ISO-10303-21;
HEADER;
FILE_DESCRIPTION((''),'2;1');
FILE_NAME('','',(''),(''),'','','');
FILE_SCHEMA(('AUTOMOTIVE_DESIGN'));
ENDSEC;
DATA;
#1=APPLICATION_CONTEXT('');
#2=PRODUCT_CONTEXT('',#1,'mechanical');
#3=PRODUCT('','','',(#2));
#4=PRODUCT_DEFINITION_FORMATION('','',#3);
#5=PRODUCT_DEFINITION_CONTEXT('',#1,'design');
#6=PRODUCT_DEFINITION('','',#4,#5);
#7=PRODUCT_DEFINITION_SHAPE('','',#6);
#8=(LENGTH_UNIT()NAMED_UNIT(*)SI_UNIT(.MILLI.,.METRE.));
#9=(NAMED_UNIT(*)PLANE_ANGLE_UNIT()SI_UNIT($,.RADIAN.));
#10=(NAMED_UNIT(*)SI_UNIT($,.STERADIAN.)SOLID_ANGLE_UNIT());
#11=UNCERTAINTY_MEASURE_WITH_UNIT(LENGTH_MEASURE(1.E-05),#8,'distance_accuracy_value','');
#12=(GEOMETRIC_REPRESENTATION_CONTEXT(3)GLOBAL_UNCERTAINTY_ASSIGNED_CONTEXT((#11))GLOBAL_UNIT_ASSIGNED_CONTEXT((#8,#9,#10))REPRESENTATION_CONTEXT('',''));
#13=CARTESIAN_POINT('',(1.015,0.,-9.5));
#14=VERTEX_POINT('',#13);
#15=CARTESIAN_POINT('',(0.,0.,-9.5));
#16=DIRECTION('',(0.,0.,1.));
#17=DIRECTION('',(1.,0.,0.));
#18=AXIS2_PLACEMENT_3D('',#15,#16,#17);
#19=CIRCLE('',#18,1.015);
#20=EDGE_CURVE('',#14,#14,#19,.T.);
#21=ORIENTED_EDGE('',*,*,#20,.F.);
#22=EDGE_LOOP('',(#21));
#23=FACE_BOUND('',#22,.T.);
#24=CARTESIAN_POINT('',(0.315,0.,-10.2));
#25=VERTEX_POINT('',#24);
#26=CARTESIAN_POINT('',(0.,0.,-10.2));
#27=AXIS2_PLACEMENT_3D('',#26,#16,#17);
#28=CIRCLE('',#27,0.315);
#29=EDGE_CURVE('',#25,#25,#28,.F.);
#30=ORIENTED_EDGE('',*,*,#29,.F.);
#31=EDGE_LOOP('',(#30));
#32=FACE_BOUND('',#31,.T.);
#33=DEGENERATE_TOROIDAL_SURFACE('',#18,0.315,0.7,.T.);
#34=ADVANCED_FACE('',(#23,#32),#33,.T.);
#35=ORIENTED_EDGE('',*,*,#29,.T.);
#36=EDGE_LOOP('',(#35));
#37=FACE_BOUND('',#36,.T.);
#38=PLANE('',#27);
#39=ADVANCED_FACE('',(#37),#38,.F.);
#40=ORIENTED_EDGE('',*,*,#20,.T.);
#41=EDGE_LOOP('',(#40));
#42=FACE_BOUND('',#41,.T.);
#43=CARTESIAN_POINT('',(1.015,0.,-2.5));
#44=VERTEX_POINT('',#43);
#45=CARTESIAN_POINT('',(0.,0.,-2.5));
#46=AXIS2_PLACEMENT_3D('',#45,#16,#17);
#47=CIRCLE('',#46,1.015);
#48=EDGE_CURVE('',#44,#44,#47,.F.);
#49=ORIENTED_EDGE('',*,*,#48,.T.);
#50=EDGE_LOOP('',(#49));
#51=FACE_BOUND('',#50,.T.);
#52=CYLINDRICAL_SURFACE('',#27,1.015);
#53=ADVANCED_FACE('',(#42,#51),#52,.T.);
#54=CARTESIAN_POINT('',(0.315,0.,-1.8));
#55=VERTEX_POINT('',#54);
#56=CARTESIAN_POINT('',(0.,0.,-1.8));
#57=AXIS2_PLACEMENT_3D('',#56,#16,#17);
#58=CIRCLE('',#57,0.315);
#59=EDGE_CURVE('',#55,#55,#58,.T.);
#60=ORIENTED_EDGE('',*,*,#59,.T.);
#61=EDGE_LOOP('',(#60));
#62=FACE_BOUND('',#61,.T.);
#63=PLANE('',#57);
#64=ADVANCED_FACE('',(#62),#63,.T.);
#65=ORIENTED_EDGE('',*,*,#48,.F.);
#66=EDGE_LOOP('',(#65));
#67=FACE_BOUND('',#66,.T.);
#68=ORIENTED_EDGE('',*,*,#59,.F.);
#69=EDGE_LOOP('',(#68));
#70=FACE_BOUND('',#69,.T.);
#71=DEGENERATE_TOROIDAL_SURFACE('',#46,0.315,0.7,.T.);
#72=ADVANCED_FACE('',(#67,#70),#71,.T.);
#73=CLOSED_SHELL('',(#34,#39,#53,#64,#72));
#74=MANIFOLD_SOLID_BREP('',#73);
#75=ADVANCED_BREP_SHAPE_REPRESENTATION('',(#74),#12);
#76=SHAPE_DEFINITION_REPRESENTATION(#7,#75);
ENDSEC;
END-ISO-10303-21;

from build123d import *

# Parameters (mm, degrees)
SKETCH1_R           = 1.45
BOSS_EXTRUDE1_DEPTH = 12
FILLET1_R           = 1
SCALE1_SCALE        = 0.7


with BuildPart() as part:
    # Sketch1 → Boss-Extrude1 (new body)
    with BuildSketch(Plane(origin=(0, 0, 0), x_dir=(0, 1, 0), z_dir=(0, 0, 1))):
        with Locations(Location((0, 0, 0), (0, 0, 270))):
            Circle(SKETCH1_R)
    extrude(amount=-BOSS_EXTRUDE1_DEPTH)

    # Fillet1
    fillet1_edges = [part.edges().sort_by_distance(p)[0] for p in [
        (-1.45, 0, 0),
        (-1.45, 0, -12),
    ]]
    fillet(fillet1_edges, radius=FILLET1_R)


with BuildPart() as part_1:
    # Scale1: scaled about (0, 0, -6)
    add(part.part.scale(SCALE1_SCALE).moved(Location((0, 0, -1.8))))


solid = part_1.part
